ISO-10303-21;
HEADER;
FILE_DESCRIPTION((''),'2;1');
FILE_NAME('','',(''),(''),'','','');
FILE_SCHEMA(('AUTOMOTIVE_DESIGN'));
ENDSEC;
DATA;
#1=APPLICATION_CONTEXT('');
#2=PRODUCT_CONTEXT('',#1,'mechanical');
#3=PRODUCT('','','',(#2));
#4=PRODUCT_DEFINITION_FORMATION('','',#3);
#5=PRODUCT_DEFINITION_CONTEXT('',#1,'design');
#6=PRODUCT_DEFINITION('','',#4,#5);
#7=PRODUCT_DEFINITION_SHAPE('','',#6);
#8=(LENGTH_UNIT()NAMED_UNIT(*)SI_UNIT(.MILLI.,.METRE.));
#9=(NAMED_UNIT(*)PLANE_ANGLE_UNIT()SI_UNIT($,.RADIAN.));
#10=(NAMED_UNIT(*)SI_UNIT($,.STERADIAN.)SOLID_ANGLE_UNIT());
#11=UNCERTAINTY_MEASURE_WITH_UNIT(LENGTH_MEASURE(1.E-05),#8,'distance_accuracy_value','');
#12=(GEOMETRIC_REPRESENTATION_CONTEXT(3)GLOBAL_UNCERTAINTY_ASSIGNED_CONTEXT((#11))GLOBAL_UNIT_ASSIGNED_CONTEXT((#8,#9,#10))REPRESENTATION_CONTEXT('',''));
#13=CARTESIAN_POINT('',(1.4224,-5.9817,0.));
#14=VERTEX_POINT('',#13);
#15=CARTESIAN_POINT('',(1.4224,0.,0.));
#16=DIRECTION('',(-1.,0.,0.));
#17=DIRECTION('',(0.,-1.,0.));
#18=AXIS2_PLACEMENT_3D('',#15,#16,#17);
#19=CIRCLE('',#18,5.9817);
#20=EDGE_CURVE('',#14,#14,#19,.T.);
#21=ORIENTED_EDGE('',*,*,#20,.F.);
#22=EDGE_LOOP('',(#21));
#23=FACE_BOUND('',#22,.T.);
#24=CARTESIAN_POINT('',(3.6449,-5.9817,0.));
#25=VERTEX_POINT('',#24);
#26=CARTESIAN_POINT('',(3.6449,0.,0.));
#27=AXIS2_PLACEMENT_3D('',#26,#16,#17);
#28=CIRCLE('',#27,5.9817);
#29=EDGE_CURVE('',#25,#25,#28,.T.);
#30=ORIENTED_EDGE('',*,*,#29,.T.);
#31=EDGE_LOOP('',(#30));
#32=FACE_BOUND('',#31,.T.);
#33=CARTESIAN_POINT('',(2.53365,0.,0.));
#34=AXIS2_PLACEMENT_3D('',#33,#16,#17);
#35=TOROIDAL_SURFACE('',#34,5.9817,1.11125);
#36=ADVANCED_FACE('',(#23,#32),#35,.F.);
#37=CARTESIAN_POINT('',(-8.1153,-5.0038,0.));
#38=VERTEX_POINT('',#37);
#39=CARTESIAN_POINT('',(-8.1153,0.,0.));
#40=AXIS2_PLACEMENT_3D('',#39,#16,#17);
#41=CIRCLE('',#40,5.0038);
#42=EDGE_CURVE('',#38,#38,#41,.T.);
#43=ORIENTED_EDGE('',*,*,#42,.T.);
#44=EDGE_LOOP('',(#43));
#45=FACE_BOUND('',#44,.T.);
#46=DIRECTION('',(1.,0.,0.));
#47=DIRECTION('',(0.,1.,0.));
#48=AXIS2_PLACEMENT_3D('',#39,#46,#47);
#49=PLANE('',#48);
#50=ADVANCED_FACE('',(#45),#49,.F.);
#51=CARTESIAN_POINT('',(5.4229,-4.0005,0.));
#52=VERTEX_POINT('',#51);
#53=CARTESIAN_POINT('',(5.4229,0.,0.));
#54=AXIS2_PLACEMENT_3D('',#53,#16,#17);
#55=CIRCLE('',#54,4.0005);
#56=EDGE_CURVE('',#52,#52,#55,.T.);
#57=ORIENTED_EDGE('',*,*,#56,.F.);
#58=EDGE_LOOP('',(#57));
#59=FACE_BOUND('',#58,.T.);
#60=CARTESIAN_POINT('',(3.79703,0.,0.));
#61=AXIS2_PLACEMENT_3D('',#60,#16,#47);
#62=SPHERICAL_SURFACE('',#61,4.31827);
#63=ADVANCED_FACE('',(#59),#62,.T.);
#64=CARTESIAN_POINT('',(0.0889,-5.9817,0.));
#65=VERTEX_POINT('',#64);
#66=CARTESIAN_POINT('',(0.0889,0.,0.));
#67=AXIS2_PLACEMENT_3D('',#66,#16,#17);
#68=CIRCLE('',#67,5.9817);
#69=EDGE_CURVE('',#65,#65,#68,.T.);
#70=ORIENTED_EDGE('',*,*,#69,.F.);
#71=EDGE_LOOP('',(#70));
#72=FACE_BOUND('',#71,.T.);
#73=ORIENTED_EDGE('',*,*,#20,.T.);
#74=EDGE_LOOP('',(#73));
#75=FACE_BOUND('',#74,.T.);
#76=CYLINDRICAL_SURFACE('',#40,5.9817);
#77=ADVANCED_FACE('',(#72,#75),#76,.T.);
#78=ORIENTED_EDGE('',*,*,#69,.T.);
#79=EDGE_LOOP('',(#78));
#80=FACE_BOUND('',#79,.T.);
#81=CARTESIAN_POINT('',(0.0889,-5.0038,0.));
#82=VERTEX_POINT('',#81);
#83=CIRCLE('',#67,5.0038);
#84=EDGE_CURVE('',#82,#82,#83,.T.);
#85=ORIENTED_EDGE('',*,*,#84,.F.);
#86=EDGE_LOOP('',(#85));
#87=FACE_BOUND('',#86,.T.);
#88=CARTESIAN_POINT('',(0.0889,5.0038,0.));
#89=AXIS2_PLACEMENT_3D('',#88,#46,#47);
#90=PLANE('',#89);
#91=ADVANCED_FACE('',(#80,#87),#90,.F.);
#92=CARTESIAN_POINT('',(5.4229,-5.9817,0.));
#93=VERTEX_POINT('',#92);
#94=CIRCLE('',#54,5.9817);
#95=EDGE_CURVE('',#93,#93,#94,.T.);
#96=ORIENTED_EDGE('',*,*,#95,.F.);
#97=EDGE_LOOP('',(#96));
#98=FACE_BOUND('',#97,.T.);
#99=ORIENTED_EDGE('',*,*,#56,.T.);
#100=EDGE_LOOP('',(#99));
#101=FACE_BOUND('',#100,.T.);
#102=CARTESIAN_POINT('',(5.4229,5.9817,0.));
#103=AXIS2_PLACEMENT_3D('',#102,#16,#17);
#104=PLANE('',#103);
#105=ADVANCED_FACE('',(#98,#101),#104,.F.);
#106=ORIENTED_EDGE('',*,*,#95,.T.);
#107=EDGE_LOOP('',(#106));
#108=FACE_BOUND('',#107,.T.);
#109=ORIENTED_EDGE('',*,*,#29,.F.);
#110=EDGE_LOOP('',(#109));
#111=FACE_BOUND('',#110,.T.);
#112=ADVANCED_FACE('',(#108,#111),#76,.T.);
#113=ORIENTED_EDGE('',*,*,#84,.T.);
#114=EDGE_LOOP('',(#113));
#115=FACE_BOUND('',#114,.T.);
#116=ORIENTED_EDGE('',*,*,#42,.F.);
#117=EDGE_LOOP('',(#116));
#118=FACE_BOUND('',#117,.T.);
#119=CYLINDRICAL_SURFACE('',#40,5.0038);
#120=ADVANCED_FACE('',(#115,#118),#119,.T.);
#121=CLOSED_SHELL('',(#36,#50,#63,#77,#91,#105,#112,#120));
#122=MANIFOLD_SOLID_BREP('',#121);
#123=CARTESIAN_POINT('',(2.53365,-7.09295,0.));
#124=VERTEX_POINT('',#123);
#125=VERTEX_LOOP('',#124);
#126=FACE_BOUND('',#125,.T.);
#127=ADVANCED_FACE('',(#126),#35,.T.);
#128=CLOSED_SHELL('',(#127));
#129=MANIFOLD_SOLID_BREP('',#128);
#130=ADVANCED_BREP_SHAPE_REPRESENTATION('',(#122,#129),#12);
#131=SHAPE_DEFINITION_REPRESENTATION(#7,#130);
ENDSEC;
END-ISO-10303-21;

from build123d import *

# Parameters (mm, degrees)
SKETCH2_R = 1.11125


with BuildPart() as part:
    # Sketch1 → Revolve1 (revolve)
    with BuildSketch(Plane.XY, mode=Mode.PRIVATE) as revolve1_sk:
        with BuildLine():
            Line((-8.1153, 0), (-8.1153, 5.0038))
            Line((-8.1153, 5.0038), (0.0889, 5.0038))
            Line((0.0889, 5.0038), (0.0889, 5.9817))
            Line((0.0889, 5.9817), (1.4224, 5.9817))
            ThreePointArc((1.4224, 5.9817), (2.53365, 4.87045), (3.6449, 5.9817))
            Line((3.6449, 5.9817), (5.4229, 5.9817))
            Line((5.4229, 5.9817), (5.4229, 4.0005))
            ThreePointArc((5.4229, 4.0005), (7.379515264, 2.411069162), (8.1153, 0))
            Line((8.1153, 0), (-8.1153, 0))
        make_face()
    revolve(revolve1_sk.sketch.rotate(Axis((-8.1153, 0, 0), (1, 0, 0)), 180), axis=Axis((-8.1153, 0, 0), (1, 0, 0)))


with BuildPart() as body_2:
    # Sketch2 → Revolve2 (revolve)
    with BuildSketch(Plane.XY):
        with Locations((2.53365, 5.9817)):
            Circle(SKETCH2_R)
    revolve(axis=Axis((-8.1153, 0, 0), (1, 0, 0)))


solid = Compound([part.part, body_2.part])
